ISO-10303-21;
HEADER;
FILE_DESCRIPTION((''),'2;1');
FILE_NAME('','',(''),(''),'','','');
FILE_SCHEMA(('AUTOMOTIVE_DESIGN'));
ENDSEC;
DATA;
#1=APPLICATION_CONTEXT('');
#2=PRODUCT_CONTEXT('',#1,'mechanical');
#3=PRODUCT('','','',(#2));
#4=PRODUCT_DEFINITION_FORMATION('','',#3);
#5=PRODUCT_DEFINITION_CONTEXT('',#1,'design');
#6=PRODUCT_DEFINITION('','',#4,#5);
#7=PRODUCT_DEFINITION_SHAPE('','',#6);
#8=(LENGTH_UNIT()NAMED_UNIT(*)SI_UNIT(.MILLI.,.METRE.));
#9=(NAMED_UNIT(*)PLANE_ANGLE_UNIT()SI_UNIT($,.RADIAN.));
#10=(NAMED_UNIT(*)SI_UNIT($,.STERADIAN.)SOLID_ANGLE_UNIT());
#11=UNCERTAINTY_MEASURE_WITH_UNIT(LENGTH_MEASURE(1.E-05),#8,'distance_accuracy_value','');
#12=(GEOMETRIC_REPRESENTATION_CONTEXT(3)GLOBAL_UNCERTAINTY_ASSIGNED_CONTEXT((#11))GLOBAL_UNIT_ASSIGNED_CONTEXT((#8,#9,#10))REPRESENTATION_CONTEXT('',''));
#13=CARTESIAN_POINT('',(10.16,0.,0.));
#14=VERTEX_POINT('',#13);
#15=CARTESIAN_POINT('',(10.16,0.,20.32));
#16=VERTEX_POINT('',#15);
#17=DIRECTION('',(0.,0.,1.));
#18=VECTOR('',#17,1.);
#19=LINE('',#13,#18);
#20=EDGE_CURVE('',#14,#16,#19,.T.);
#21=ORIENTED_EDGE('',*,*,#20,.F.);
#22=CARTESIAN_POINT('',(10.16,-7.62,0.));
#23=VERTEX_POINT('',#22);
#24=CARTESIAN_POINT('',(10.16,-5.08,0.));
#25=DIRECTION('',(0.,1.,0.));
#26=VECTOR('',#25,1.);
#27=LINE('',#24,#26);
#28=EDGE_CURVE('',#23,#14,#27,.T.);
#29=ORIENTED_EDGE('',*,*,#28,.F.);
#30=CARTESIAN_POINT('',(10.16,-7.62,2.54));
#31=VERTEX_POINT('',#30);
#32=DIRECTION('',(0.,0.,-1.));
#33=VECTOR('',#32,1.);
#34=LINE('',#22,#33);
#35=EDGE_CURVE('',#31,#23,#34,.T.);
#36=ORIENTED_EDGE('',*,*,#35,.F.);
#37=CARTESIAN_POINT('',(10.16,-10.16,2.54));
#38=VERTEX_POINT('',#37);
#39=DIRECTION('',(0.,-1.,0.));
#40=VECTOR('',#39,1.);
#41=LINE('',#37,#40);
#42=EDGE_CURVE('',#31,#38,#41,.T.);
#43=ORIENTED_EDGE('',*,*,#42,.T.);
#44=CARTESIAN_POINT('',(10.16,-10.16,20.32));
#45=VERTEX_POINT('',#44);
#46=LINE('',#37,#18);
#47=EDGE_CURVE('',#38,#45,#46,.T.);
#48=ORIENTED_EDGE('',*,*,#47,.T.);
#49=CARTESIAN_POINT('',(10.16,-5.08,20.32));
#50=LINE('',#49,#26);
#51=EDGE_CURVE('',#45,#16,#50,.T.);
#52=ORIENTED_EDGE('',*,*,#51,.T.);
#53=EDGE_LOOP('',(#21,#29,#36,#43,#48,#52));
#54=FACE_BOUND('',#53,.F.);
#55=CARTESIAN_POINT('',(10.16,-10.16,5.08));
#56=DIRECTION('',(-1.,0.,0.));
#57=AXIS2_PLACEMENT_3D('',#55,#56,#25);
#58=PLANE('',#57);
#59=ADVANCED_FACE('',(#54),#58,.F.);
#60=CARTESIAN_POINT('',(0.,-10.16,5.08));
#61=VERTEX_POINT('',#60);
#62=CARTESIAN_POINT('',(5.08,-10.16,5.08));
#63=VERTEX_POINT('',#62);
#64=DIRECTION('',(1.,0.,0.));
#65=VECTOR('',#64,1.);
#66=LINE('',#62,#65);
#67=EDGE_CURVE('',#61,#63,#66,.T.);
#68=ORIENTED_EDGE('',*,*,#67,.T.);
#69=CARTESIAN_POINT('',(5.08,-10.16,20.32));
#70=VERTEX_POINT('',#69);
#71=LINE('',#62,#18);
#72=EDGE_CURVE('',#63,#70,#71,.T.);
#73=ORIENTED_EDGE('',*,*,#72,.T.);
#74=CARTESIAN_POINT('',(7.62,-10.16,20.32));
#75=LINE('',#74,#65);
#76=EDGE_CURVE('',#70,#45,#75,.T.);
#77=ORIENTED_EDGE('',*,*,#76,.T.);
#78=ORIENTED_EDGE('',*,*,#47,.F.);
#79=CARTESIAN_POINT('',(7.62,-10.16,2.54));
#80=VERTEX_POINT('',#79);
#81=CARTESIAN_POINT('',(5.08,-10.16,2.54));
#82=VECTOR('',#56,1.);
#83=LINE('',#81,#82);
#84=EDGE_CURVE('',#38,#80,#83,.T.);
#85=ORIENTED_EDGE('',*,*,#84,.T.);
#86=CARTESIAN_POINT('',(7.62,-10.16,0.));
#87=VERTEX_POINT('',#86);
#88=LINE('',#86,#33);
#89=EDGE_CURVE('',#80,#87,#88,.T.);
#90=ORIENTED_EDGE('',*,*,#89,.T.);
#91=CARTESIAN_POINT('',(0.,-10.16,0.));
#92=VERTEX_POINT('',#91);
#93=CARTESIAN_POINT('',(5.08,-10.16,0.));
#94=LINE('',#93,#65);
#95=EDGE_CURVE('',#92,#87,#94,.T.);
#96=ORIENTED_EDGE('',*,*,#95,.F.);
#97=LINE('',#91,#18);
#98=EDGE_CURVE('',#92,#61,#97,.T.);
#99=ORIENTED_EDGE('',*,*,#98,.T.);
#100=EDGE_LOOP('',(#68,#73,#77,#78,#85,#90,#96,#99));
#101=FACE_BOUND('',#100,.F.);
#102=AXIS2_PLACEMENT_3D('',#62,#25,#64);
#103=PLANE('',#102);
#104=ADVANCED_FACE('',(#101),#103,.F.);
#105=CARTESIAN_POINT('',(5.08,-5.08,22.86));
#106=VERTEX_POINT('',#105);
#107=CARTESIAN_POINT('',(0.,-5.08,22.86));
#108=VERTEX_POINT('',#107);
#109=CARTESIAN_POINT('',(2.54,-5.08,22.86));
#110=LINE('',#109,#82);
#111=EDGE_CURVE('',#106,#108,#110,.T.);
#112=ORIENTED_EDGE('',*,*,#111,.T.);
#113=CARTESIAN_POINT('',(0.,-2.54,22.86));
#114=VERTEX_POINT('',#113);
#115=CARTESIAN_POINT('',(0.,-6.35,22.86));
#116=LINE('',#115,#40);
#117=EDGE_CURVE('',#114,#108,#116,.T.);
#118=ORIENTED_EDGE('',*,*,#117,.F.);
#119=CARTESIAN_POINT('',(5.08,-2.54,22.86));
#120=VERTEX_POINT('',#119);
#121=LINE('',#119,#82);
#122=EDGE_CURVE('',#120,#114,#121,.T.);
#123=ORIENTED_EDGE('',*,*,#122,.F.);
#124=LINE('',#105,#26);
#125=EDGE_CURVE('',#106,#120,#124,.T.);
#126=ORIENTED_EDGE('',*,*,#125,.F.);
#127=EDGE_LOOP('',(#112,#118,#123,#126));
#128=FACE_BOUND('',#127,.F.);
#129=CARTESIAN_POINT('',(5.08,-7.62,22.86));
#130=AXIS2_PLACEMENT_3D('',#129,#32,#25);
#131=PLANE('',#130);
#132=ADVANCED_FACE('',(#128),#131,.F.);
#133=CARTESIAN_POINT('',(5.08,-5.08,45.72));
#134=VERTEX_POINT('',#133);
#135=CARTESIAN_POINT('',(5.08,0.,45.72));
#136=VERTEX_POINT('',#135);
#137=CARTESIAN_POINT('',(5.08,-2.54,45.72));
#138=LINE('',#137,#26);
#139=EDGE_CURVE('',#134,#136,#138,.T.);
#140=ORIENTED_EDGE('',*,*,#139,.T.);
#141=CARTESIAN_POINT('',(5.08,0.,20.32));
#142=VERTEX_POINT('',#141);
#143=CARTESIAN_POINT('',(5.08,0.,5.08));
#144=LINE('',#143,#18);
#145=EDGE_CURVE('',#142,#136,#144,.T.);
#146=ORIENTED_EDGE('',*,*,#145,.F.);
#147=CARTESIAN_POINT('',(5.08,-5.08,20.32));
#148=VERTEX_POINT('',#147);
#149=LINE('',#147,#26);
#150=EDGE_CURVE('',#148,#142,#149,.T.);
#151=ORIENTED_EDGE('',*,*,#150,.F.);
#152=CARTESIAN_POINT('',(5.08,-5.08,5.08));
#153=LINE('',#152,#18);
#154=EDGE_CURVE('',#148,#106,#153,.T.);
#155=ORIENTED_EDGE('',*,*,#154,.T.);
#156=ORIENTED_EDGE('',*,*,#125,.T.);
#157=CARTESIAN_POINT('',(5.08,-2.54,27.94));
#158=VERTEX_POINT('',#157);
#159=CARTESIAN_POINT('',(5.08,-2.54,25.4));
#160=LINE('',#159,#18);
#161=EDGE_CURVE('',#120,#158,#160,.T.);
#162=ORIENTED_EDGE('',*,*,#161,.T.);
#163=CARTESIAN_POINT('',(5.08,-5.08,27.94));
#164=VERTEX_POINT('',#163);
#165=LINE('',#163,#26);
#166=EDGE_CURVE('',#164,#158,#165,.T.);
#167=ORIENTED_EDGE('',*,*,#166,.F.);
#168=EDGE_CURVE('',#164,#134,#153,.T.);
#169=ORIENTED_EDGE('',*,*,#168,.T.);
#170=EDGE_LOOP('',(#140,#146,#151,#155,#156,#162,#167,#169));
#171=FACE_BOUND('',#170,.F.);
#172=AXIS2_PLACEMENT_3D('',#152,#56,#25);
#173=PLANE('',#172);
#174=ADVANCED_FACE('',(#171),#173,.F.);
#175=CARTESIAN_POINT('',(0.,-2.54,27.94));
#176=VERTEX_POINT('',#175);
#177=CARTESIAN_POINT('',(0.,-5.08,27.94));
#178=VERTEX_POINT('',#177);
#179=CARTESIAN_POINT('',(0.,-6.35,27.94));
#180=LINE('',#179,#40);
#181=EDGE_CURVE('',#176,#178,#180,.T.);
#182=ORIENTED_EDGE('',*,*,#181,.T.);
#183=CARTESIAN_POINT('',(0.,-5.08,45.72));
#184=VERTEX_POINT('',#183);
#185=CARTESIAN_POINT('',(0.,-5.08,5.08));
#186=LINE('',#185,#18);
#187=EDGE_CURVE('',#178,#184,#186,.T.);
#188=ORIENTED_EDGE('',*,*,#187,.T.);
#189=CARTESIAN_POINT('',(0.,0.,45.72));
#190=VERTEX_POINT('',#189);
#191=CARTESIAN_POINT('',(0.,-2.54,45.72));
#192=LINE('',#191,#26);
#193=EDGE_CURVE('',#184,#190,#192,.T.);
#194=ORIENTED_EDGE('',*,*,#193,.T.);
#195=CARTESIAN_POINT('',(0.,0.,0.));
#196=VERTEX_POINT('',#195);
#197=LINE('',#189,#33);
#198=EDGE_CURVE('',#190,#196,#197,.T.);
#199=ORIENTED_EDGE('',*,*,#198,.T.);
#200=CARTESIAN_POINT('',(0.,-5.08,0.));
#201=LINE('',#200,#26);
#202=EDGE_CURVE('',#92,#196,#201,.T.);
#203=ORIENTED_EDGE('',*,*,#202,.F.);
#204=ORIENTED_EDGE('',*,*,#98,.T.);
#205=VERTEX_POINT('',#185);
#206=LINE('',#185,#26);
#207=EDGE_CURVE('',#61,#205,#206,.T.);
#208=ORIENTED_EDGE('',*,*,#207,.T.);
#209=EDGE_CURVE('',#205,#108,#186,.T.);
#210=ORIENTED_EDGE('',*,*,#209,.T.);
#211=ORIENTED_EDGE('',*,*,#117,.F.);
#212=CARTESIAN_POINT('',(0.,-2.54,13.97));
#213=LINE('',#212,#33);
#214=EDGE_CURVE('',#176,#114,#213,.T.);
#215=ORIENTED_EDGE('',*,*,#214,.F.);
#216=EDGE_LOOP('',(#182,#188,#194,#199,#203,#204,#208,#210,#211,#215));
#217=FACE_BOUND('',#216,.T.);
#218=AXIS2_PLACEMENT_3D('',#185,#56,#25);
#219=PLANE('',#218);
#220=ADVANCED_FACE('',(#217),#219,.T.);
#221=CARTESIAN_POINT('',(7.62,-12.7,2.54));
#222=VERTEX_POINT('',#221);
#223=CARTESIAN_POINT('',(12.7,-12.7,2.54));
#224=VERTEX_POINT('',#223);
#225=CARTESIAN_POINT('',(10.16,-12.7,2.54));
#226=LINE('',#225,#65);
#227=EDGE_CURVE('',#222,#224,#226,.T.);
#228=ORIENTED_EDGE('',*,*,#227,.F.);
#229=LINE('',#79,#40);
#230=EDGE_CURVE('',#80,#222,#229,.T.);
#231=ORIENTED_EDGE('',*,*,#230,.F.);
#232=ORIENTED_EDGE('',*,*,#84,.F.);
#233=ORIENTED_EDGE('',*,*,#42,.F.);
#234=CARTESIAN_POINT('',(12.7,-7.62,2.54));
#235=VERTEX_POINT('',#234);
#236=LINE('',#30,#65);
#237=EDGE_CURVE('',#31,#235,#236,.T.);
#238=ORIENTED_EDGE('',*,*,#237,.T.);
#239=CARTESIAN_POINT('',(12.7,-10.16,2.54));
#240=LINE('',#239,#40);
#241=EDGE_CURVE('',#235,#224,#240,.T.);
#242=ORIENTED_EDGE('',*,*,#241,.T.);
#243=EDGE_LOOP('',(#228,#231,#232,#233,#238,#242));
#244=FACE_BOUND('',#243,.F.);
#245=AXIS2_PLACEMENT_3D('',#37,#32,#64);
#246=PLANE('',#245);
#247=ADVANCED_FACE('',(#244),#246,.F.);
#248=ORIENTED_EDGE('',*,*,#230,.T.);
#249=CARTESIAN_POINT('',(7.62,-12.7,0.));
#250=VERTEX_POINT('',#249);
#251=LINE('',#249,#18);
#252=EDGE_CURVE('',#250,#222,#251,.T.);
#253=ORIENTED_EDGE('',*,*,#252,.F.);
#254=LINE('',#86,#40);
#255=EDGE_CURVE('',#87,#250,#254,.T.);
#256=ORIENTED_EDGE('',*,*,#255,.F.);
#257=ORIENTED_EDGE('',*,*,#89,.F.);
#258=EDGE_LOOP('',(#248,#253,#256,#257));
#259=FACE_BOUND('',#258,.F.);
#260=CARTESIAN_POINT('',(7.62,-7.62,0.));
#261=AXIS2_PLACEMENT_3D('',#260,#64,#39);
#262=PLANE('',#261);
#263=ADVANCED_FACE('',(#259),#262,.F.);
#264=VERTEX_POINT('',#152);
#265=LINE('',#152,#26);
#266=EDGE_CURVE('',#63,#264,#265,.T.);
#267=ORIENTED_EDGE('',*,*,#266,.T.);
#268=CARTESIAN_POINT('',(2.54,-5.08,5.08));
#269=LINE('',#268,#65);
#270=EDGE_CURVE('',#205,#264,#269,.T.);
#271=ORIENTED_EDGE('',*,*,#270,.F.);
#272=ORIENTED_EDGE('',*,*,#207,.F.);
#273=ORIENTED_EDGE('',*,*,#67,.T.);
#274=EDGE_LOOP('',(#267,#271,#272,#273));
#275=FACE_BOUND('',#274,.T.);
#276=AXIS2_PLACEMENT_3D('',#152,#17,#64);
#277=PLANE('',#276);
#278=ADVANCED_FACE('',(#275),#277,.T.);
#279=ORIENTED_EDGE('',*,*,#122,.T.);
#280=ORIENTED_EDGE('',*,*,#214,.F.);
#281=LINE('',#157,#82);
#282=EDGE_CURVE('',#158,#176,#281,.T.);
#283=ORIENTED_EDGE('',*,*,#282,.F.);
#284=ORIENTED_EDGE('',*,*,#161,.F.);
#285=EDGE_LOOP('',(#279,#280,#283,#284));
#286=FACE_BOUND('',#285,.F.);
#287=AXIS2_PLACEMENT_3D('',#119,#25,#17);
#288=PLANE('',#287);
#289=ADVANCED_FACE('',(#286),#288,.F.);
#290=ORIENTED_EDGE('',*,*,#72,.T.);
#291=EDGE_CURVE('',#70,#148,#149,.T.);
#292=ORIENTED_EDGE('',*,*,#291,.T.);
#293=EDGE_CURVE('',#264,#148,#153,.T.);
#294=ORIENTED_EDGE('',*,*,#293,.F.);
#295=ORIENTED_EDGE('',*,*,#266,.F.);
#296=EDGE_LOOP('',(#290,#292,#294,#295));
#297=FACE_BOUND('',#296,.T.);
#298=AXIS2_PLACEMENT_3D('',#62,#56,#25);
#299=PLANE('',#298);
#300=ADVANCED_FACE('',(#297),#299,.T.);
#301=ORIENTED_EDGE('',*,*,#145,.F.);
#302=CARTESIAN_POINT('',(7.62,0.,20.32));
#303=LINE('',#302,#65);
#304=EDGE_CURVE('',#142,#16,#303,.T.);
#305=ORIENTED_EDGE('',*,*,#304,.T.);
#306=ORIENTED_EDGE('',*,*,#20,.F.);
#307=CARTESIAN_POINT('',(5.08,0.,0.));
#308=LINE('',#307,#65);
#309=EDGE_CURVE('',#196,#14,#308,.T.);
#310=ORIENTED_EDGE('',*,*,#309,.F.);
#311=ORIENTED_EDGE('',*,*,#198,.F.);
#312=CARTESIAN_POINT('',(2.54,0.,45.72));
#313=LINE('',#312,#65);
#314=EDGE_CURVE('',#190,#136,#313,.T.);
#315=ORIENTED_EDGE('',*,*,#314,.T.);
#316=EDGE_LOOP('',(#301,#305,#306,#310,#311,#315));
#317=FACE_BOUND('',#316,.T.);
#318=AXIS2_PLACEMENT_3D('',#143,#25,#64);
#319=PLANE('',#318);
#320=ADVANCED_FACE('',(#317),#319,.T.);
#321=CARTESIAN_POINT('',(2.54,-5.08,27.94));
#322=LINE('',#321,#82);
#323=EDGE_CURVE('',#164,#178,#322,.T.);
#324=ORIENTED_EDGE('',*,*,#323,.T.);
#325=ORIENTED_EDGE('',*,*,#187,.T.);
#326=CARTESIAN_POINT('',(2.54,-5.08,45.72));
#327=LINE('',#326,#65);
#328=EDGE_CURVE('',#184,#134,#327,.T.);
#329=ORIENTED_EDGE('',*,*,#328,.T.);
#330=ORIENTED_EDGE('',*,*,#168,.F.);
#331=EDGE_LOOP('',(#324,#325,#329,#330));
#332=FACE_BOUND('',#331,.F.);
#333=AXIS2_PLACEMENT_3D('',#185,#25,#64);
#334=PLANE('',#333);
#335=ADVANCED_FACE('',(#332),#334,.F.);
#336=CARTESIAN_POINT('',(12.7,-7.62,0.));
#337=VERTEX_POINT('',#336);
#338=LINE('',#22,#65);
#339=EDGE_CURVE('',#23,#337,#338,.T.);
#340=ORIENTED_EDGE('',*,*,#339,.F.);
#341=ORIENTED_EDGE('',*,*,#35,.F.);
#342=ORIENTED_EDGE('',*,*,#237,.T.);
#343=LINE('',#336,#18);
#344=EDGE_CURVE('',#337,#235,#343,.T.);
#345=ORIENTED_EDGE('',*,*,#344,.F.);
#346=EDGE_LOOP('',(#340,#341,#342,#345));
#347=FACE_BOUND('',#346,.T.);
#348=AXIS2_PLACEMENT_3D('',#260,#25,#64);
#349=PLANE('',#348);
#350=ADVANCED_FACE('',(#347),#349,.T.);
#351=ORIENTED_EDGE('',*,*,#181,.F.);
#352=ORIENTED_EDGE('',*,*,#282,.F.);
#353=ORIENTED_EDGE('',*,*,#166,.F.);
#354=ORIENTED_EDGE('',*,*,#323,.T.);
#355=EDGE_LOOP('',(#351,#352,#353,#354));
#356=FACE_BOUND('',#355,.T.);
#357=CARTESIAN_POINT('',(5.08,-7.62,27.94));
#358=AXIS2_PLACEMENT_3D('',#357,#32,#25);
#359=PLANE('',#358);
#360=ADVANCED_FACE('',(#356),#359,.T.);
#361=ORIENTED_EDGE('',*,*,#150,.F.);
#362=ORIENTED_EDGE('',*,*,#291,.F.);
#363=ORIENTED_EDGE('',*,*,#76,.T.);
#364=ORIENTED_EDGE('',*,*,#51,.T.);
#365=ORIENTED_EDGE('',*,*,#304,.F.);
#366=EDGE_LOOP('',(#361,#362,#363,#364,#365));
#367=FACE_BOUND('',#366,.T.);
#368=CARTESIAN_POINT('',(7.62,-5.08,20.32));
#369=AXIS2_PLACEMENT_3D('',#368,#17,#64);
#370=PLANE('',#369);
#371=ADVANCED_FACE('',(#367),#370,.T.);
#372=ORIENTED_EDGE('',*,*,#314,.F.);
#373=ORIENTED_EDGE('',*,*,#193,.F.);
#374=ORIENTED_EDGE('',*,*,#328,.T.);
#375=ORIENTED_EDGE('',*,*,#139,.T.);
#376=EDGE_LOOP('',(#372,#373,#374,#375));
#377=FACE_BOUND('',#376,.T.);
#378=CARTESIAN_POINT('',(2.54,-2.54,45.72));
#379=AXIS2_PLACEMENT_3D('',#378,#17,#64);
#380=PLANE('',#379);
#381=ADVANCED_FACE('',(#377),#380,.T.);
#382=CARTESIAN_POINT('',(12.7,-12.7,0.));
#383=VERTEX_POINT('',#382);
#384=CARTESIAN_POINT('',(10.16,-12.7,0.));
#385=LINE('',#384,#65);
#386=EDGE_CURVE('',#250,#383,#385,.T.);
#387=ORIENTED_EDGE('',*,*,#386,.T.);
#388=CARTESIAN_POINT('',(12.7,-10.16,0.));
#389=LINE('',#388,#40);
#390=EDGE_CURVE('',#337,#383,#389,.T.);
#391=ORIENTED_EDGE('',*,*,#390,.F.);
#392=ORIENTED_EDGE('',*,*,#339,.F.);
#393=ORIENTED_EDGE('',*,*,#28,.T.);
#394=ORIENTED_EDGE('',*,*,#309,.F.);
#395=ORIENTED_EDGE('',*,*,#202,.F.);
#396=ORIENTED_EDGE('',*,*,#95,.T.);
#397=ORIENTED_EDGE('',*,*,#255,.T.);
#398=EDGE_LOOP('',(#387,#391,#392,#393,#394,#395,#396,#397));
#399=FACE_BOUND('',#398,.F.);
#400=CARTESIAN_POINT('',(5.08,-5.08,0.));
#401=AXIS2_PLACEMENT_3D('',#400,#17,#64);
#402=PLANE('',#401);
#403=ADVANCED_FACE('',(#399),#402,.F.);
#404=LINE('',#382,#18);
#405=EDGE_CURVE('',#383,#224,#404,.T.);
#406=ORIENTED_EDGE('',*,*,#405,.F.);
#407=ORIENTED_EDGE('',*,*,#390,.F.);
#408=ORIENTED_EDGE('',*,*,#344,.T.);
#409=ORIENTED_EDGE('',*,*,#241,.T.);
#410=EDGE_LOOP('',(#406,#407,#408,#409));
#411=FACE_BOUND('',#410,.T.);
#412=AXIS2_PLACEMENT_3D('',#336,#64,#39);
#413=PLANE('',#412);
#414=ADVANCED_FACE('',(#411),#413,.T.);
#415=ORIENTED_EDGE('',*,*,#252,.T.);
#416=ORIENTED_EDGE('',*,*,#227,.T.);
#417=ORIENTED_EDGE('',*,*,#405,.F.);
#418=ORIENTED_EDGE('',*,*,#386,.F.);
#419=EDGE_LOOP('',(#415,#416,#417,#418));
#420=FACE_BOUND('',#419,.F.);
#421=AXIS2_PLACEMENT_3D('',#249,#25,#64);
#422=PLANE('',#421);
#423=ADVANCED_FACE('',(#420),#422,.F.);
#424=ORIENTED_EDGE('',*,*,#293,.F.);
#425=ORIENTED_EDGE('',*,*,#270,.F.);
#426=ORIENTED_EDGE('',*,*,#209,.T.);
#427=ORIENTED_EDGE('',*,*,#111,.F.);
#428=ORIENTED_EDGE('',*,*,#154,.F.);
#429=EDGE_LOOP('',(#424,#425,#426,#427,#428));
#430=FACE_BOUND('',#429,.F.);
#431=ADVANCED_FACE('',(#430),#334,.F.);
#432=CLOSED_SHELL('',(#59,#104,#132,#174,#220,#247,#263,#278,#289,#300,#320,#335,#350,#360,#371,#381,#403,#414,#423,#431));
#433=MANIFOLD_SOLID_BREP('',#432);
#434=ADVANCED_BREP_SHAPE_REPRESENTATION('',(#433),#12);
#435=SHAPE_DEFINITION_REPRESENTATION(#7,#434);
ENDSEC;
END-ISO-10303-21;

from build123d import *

# Parameters (mm, degrees)
F0_W     = 10.16
F0_H     = 10.16
F1_DEPTH = 5.08
F2_W     = 5.08
F2_H     = 5.08
F3_DEPTH = 2.54
F4_W     = 5.08
F4_H     = 5.08
F5_DEPTH = 40.64
F6_W     = 5.08
F6_H     = 5.08
F7_DEPTH = 25.4
F8_W     = 5.08
F8_H     = 10.16
F9_DEPTH = 15.24


with BuildPart() as f1:
    # F0 (on Top) → F1 (new body)
    with BuildSketch(Plane.XY):
        with Locations((5.08, -5.08)):
            Rectangle(F0_W, F0_H)
    extrude(amount=F1_DEPTH)

    # F2 (on face) → F3 (join)
    with BuildSketch(Plane(origin=(0, 0, 0), x_dir=(1, 0, 0), z_dir=(0, 0, -1))):
        with Locations((10.16, 10.16)):
            Rectangle(F2_W, F2_H)
    extrude(amount=-F3_DEPTH)

    # F4 (on face) → F5 (join)
    with BuildSketch(Plane.XY.offset(5.08)):
        with Locations((2.54, -2.54)):
            Rectangle(F4_W, F4_H)
    extrude(amount=F5_DEPTH)

    # F6 (on face) → F7 (cut)
    with BuildSketch(Plane.YZ.offset(5.08)):
        with Locations((-5.08, 25.4)):
            Rectangle(F6_W, F6_H)
    extrude(amount=-F7_DEPTH, mode=Mode.SUBTRACT)

    # F8 (on face) → F9 (join)
    with BuildSketch(Plane.XY.offset(5.08)):
        with Locations((7.62, -5.08)):
            Rectangle(F8_W, F8_H)
    extrude(amount=F9_DEPTH)


solid = f1.part
